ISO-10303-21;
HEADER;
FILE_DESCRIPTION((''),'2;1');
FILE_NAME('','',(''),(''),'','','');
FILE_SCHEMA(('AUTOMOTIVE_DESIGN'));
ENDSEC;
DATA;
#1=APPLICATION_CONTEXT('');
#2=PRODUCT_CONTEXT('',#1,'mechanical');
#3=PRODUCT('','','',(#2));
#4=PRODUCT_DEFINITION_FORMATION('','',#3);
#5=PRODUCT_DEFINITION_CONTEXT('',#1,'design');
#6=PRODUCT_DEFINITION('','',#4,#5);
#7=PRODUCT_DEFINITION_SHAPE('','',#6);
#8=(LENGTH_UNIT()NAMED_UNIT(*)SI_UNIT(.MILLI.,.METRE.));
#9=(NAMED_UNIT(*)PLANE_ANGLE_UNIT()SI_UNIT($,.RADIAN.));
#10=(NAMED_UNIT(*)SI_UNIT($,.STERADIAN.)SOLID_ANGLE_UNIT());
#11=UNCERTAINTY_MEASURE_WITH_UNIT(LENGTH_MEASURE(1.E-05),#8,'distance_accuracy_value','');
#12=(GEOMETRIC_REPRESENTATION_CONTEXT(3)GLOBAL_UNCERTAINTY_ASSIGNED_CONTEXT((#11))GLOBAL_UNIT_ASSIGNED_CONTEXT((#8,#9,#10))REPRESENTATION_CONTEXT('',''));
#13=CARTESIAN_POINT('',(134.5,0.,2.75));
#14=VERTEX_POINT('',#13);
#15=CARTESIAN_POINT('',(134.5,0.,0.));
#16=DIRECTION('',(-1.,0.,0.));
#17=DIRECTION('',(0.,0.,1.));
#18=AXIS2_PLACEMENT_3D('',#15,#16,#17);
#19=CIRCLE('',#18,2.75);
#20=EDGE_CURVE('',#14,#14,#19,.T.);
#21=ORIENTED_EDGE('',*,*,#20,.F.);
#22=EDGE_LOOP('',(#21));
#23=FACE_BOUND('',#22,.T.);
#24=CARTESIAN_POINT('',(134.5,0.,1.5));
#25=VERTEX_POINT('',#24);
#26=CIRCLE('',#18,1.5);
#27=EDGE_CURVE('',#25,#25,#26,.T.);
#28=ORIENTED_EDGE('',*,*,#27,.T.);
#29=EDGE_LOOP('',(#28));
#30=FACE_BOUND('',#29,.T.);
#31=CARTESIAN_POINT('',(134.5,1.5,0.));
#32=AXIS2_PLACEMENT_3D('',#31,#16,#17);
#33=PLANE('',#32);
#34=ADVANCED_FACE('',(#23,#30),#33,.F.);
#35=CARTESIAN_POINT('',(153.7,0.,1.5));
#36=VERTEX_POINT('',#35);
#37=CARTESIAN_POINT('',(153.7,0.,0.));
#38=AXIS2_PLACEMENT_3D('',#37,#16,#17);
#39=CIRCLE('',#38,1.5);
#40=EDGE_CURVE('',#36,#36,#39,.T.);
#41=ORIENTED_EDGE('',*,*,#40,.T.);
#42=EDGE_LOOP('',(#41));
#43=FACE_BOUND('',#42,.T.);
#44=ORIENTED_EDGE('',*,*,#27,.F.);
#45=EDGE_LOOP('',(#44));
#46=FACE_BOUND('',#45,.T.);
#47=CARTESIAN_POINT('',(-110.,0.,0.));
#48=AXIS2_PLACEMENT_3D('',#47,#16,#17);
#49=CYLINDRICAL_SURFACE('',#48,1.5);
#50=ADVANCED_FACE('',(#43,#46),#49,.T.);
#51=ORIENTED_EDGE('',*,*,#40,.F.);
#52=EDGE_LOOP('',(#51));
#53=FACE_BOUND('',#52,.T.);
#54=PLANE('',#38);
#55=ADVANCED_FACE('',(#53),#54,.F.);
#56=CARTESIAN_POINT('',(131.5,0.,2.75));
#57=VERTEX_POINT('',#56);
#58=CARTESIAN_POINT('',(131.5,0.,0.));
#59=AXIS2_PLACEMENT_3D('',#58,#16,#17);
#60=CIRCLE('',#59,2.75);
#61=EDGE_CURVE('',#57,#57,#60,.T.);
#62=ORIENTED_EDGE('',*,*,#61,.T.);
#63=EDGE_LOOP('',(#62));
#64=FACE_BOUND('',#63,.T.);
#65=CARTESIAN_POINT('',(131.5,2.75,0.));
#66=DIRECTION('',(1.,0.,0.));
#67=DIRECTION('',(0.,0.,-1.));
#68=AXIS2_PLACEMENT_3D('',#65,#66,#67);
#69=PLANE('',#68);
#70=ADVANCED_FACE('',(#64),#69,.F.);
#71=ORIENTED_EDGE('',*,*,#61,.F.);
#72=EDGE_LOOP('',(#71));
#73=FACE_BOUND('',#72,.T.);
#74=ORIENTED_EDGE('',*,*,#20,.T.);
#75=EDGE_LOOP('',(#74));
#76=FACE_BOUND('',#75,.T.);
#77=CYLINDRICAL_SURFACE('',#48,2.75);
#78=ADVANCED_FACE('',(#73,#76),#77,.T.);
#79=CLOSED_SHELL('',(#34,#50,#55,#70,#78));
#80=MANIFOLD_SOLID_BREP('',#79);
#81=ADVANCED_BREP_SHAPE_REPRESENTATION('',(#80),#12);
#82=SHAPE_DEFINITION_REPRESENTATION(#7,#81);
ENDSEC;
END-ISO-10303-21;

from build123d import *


with BuildPart() as part:
    # Axial profile (mm) → Full revolution (revolve)
    with BuildSketch(Plane.XY, mode=Mode.PRIVATE) as full_revolution_sk:
        Polygon((131.5, 0), (153.7, 0), (153.7, 1.5), (134.5, 1.5), (134.5, 2.75), (131.5, 2.75), align=None)
    revolve(full_revolution_sk.sketch.rotate(Axis((-110, 0, 0), (1, 0, 0)), 90), axis=Axis((-110, 0, 0), (1, 0, 0)))


solid = part.part
